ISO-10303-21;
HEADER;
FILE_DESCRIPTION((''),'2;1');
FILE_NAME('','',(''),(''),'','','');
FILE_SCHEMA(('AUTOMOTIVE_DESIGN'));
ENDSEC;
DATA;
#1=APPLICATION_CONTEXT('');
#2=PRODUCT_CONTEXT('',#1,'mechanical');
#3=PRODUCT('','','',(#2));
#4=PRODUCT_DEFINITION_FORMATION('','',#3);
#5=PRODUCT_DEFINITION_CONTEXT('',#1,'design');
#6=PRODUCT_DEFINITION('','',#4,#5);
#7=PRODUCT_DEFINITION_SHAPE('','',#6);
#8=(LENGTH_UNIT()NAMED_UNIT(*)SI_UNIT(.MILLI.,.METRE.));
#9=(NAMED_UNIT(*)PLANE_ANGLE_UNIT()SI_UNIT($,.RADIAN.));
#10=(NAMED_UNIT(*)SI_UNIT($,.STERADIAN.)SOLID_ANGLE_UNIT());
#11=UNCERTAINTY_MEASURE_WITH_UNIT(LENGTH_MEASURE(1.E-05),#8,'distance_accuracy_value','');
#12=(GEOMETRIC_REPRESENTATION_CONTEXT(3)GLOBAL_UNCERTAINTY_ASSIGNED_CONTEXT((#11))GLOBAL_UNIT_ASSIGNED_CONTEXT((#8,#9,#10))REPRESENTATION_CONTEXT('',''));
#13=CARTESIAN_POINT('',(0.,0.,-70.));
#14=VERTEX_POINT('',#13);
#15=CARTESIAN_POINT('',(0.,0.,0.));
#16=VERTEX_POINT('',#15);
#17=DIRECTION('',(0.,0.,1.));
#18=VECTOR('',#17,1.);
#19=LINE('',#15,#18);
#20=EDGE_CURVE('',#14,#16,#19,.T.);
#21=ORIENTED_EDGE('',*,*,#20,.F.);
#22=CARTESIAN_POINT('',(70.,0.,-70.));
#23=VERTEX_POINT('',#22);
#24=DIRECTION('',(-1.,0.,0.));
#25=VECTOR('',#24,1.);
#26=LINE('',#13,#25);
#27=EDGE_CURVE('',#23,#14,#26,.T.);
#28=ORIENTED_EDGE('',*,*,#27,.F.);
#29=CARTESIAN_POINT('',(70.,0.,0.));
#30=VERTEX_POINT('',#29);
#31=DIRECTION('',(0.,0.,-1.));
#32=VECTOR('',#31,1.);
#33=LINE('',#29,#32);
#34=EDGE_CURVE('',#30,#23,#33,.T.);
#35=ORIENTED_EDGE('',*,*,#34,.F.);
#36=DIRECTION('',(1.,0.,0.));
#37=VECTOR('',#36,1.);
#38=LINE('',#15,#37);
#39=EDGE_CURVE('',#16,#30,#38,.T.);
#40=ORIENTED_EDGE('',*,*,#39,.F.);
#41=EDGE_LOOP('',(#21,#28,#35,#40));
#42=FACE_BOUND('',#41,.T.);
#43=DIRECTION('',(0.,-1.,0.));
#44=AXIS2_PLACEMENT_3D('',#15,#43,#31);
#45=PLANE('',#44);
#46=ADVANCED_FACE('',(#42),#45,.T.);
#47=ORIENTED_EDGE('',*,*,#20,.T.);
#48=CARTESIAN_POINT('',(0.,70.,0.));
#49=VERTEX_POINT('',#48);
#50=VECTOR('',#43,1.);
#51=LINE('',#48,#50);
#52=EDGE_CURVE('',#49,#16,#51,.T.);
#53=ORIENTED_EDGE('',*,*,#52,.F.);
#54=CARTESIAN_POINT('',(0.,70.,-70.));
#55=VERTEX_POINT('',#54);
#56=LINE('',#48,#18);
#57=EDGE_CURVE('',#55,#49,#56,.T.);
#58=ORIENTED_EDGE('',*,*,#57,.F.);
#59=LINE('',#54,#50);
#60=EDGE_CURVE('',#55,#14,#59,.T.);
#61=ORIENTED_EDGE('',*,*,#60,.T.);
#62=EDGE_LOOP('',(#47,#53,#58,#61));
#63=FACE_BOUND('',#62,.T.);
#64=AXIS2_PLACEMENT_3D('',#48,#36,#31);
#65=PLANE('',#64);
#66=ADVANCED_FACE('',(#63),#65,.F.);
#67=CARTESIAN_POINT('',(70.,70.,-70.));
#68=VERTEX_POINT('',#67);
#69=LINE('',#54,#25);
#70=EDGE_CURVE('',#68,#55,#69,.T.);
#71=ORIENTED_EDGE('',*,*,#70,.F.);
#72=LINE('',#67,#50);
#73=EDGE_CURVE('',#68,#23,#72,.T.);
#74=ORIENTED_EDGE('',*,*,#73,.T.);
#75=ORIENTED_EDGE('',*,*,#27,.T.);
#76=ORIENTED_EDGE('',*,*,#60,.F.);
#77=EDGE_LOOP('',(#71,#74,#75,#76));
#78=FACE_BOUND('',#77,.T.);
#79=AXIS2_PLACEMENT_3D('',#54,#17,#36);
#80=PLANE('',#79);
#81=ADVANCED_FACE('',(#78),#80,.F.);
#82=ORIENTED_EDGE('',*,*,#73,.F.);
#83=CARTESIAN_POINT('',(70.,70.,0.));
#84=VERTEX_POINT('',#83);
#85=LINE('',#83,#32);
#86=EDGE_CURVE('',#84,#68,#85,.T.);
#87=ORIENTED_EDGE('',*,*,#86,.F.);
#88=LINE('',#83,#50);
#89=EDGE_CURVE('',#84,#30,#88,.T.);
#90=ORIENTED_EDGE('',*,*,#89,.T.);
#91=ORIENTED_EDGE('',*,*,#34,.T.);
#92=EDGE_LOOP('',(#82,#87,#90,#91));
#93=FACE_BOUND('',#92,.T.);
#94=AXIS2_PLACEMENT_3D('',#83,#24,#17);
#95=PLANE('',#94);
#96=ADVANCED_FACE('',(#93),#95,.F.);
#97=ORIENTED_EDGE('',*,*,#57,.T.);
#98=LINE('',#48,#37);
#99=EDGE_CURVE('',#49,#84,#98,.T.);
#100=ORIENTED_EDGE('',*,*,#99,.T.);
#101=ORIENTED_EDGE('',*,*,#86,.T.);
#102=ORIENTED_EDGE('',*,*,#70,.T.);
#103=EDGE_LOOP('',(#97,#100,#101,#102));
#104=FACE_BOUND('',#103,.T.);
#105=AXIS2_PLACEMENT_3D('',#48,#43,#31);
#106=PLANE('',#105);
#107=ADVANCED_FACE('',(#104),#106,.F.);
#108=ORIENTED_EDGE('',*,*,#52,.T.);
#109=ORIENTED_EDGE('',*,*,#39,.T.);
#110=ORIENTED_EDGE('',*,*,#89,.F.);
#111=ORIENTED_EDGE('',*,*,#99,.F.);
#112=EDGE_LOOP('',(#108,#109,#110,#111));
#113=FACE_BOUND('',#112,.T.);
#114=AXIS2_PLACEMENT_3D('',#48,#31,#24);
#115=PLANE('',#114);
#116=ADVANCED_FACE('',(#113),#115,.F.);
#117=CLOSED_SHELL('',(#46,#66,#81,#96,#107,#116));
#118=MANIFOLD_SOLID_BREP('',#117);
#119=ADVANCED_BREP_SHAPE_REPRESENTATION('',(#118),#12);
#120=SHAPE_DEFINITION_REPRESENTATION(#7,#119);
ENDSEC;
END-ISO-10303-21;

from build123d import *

# Parameters (mm, degrees)
SKETCH_1_W      = 70
SKETCH_1_H      = 70
EXTRUDE_1_DEPTH = 70


with BuildPart() as part:
    # 草图1 → 凸台-拉伸1 (new body)
    with BuildSketch(Plane(origin=(0, 0, 0), x_dir=(1, 0, 0), z_dir=(0, 1, 0))):
        with Locations((35, 35)):
            Rectangle(SKETCH_1_W, SKETCH_1_H)
    extrude(amount=EXTRUDE_1_DEPTH)


solid = part.part
